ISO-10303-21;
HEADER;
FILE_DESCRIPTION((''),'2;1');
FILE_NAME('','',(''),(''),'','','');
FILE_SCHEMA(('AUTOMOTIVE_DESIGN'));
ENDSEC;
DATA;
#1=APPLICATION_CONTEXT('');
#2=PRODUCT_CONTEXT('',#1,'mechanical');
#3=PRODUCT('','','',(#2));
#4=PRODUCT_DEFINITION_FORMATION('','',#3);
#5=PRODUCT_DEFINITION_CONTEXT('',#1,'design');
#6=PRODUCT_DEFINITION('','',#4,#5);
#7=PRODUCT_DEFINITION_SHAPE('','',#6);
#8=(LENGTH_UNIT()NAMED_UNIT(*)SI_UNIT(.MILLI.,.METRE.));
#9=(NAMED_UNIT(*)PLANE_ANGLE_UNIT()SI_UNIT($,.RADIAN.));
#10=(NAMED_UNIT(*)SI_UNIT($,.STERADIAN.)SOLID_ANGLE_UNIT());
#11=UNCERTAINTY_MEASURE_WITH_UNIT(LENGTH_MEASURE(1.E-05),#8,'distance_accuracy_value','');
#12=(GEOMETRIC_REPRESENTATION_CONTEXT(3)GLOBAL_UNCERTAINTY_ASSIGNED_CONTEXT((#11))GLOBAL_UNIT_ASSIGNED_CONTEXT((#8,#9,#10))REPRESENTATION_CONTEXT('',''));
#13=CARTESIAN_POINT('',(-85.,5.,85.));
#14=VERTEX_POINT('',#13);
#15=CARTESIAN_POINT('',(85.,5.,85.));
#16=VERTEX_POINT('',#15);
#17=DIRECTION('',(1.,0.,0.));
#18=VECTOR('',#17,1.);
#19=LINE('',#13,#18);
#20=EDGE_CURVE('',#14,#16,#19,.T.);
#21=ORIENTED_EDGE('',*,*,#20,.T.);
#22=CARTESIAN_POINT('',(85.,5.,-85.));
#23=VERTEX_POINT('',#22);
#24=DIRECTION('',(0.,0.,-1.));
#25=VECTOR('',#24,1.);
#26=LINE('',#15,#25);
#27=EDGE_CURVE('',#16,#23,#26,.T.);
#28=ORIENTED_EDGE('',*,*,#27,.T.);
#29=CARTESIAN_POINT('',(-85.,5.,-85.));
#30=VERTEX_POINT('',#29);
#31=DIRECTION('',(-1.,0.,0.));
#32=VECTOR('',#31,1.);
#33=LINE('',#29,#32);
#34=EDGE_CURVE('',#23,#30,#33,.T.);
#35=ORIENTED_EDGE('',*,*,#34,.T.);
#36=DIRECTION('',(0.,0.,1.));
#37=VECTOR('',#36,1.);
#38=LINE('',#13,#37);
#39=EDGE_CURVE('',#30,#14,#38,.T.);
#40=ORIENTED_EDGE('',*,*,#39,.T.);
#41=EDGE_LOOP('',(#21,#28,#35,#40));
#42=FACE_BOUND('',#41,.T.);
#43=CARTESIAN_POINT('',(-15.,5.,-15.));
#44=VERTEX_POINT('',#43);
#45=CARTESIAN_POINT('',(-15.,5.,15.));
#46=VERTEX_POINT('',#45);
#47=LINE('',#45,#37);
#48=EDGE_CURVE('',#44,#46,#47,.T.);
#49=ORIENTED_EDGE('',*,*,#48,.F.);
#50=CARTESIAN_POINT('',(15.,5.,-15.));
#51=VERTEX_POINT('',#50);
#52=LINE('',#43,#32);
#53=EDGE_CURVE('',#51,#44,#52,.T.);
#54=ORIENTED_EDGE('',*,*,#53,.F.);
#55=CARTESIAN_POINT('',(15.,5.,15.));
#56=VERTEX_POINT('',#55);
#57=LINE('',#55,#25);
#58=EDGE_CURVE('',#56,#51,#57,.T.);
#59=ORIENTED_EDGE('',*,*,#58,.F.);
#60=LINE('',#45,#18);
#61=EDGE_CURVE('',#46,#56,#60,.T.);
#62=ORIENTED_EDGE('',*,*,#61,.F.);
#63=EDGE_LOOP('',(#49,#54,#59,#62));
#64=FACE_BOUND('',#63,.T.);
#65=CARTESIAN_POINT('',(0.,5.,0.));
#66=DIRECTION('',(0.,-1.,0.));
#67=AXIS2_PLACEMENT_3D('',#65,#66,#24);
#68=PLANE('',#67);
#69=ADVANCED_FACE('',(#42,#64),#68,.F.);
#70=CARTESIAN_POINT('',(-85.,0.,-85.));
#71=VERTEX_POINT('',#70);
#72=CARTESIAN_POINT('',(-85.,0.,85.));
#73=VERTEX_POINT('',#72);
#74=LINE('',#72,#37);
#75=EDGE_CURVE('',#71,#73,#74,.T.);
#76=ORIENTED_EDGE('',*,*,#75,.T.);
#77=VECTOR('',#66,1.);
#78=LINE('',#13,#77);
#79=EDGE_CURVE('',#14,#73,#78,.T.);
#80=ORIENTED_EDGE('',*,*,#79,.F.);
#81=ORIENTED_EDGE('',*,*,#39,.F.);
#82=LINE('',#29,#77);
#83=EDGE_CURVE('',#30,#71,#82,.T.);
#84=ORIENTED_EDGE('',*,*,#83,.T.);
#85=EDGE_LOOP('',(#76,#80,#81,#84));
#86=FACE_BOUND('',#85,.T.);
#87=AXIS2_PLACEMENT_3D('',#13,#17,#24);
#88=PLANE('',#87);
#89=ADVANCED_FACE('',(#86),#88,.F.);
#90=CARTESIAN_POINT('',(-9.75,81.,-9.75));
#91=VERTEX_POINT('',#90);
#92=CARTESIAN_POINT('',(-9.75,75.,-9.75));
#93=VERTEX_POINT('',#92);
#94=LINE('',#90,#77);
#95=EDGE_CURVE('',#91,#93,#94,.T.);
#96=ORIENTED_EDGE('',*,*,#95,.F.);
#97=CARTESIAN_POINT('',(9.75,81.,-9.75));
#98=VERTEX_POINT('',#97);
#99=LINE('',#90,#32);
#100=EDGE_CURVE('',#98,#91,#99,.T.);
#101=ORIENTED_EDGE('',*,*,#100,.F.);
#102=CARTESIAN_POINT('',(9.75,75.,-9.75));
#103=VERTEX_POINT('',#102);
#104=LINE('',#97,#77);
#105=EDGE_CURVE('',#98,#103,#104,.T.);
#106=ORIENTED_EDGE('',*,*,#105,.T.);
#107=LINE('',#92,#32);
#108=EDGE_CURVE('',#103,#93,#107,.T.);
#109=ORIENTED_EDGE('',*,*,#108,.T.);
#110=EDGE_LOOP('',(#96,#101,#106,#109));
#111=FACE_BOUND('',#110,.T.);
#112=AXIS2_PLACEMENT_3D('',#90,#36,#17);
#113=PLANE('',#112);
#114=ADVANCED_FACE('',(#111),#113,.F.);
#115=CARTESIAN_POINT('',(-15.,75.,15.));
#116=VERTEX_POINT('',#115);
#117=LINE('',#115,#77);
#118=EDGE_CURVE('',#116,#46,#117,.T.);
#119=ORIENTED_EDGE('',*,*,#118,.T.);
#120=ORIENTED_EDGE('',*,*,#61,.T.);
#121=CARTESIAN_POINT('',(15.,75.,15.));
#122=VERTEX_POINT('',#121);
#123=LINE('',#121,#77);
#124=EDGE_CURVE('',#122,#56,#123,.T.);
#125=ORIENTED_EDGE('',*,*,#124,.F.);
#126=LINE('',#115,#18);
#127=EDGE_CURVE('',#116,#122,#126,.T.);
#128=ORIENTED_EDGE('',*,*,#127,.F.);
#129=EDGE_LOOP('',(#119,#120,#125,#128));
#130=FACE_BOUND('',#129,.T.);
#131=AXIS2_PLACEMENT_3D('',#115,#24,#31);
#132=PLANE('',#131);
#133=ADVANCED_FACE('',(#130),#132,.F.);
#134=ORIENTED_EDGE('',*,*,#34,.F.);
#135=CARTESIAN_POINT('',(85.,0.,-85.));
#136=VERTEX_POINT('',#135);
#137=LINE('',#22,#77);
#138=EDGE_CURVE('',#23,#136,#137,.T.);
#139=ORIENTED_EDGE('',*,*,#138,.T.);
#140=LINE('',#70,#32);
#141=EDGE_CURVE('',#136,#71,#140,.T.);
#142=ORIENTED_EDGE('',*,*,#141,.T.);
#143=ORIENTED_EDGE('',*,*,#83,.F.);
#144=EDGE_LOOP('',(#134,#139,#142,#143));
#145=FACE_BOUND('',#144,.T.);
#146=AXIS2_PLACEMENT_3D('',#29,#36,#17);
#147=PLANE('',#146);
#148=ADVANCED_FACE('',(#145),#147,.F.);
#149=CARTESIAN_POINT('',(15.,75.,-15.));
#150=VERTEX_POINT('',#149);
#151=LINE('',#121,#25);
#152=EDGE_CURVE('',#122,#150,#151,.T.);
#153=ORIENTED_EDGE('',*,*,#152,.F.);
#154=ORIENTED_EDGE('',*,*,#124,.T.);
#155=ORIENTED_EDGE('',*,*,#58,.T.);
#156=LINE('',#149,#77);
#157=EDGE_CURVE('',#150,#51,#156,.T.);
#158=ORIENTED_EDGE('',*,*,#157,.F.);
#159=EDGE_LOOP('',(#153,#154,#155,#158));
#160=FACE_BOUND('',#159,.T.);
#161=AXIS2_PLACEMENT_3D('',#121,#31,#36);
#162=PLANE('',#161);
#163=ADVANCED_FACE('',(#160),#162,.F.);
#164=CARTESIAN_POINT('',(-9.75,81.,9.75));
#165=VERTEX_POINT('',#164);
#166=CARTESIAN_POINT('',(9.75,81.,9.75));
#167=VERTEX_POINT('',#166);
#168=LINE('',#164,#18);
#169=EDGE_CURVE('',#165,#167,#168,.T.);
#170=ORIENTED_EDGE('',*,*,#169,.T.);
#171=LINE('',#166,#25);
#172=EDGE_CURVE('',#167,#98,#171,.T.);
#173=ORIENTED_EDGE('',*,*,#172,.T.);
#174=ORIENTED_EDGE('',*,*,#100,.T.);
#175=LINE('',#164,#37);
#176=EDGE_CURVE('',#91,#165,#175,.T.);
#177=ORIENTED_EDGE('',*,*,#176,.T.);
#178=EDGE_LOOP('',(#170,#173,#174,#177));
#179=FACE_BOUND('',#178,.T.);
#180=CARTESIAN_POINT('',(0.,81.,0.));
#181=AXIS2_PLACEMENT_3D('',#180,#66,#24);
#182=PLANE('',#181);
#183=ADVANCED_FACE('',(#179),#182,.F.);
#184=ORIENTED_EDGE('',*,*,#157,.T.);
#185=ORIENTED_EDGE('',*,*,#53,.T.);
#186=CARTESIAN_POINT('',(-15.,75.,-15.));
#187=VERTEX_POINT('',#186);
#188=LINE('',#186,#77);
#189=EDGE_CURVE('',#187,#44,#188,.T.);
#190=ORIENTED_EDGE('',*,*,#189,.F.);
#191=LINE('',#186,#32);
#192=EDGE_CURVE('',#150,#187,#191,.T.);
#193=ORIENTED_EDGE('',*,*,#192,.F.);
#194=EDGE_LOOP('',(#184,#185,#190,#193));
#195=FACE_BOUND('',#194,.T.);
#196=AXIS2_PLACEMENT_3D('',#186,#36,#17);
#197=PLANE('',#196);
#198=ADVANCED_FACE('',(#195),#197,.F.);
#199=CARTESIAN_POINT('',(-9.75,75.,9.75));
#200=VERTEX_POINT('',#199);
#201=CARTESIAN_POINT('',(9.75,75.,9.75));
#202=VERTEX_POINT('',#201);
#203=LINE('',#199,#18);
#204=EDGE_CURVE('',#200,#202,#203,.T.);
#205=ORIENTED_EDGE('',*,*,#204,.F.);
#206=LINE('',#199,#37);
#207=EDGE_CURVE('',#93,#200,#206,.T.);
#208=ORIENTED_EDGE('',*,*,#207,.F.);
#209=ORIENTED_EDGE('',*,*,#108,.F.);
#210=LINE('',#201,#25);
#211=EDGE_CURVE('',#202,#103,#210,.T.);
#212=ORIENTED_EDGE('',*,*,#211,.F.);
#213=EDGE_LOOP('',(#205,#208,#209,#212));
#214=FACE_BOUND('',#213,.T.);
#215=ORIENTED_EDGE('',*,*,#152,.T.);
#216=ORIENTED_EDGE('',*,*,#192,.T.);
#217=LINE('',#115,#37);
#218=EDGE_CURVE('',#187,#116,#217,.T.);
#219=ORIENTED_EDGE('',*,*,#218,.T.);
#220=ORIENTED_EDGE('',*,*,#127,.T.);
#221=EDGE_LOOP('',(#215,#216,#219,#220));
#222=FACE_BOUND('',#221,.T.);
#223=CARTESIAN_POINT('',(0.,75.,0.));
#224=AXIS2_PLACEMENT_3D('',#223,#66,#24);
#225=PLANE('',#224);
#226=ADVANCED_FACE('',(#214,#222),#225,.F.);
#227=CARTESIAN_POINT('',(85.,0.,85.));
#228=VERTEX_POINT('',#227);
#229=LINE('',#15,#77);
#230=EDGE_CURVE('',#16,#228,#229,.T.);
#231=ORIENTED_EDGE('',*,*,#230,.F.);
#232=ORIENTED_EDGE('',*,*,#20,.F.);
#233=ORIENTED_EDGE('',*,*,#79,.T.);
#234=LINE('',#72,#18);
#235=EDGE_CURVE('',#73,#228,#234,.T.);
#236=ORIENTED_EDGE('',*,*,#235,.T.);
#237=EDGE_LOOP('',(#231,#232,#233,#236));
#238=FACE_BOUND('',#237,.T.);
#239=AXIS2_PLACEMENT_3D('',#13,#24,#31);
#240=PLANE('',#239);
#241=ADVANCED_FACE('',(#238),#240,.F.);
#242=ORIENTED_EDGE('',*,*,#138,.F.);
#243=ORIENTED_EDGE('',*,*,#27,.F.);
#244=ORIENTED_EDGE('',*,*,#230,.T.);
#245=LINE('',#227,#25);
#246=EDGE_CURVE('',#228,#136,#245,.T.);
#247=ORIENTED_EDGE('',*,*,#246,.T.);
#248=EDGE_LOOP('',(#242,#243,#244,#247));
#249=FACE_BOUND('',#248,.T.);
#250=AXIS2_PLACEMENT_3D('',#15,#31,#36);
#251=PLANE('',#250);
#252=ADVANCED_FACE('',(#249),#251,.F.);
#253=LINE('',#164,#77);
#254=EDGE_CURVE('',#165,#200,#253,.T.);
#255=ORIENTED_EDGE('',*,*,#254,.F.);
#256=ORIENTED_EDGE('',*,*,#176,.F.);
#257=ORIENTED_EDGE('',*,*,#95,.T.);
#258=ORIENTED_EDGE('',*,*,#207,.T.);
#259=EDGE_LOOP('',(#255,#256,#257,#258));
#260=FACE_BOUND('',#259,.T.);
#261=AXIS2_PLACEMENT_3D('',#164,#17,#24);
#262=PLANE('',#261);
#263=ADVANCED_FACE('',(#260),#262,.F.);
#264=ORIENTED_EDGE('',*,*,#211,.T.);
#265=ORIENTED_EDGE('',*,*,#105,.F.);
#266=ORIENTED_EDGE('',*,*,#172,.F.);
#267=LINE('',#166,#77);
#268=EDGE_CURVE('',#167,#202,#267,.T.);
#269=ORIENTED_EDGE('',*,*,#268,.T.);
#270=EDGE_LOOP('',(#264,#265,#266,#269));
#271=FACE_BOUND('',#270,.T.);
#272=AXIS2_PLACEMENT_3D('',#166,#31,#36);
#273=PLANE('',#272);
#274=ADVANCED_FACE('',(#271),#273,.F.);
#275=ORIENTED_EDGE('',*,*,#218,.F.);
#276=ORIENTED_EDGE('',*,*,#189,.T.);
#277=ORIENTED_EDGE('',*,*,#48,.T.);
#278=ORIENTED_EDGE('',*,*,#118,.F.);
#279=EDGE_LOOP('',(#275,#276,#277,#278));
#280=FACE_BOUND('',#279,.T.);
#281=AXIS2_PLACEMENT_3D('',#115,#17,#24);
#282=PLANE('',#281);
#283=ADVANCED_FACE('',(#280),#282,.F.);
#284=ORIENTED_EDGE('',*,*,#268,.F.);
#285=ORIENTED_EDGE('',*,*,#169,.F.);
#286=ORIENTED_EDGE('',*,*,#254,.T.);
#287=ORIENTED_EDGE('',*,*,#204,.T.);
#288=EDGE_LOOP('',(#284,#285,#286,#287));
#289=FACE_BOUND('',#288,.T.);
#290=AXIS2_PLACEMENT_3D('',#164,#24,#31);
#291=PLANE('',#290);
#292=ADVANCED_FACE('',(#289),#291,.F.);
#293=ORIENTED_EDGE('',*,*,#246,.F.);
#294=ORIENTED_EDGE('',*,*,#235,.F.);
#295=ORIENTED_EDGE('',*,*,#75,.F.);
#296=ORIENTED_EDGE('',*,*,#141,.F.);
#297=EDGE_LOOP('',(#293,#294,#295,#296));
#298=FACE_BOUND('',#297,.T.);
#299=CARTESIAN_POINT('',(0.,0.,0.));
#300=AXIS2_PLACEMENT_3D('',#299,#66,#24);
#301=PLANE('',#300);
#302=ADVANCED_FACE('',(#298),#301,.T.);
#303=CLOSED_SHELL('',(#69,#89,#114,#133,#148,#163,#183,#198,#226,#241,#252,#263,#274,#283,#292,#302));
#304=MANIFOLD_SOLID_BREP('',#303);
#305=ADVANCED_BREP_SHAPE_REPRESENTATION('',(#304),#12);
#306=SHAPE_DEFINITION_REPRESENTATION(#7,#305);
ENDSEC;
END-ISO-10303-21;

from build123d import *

# Parameters (mm, degrees)
SKETCH1_W           = 170
SKETCH1_H           = 170
BOSS_EXTRUDE1_DEPTH = 5
SKETCH2_W           = 30
SKETCH2_H           = 30
BOSS_EXTRUDE2_DEPTH = 70
SKETCH3_W           = 19.5
SKETCH3_H           = 19.5
BOSS_EXTRUDE3_DEPTH = 6


with BuildPart() as part:
    # Sketch1 → Boss-Extrude1 (new body)
    with BuildSketch(Plane(origin=(0, 0, 0), x_dir=(1, 0, 0), z_dir=(0, 1, 0))):
        Rectangle(SKETCH1_W, SKETCH1_H)
    extrude(amount=BOSS_EXTRUDE1_DEPTH)

    # Sketch2 → Boss-Extrude2 (add)
    with BuildSketch(Plane(origin=(0, 5, 0), x_dir=(1, 0, 0), z_dir=(0, 1, 0))):
        Rectangle(SKETCH2_W, SKETCH2_H)
    extrude(amount=BOSS_EXTRUDE2_DEPTH)

    # Sketch3 → Boss-Extrude3 (add)
    with BuildSketch(Plane(origin=(0, 75, 0), x_dir=(1, 0, 0), z_dir=(0, 1, 0))):
        Rectangle(SKETCH3_W, SKETCH3_H)
    extrude(amount=BOSS_EXTRUDE3_DEPTH)


solid = part.part
